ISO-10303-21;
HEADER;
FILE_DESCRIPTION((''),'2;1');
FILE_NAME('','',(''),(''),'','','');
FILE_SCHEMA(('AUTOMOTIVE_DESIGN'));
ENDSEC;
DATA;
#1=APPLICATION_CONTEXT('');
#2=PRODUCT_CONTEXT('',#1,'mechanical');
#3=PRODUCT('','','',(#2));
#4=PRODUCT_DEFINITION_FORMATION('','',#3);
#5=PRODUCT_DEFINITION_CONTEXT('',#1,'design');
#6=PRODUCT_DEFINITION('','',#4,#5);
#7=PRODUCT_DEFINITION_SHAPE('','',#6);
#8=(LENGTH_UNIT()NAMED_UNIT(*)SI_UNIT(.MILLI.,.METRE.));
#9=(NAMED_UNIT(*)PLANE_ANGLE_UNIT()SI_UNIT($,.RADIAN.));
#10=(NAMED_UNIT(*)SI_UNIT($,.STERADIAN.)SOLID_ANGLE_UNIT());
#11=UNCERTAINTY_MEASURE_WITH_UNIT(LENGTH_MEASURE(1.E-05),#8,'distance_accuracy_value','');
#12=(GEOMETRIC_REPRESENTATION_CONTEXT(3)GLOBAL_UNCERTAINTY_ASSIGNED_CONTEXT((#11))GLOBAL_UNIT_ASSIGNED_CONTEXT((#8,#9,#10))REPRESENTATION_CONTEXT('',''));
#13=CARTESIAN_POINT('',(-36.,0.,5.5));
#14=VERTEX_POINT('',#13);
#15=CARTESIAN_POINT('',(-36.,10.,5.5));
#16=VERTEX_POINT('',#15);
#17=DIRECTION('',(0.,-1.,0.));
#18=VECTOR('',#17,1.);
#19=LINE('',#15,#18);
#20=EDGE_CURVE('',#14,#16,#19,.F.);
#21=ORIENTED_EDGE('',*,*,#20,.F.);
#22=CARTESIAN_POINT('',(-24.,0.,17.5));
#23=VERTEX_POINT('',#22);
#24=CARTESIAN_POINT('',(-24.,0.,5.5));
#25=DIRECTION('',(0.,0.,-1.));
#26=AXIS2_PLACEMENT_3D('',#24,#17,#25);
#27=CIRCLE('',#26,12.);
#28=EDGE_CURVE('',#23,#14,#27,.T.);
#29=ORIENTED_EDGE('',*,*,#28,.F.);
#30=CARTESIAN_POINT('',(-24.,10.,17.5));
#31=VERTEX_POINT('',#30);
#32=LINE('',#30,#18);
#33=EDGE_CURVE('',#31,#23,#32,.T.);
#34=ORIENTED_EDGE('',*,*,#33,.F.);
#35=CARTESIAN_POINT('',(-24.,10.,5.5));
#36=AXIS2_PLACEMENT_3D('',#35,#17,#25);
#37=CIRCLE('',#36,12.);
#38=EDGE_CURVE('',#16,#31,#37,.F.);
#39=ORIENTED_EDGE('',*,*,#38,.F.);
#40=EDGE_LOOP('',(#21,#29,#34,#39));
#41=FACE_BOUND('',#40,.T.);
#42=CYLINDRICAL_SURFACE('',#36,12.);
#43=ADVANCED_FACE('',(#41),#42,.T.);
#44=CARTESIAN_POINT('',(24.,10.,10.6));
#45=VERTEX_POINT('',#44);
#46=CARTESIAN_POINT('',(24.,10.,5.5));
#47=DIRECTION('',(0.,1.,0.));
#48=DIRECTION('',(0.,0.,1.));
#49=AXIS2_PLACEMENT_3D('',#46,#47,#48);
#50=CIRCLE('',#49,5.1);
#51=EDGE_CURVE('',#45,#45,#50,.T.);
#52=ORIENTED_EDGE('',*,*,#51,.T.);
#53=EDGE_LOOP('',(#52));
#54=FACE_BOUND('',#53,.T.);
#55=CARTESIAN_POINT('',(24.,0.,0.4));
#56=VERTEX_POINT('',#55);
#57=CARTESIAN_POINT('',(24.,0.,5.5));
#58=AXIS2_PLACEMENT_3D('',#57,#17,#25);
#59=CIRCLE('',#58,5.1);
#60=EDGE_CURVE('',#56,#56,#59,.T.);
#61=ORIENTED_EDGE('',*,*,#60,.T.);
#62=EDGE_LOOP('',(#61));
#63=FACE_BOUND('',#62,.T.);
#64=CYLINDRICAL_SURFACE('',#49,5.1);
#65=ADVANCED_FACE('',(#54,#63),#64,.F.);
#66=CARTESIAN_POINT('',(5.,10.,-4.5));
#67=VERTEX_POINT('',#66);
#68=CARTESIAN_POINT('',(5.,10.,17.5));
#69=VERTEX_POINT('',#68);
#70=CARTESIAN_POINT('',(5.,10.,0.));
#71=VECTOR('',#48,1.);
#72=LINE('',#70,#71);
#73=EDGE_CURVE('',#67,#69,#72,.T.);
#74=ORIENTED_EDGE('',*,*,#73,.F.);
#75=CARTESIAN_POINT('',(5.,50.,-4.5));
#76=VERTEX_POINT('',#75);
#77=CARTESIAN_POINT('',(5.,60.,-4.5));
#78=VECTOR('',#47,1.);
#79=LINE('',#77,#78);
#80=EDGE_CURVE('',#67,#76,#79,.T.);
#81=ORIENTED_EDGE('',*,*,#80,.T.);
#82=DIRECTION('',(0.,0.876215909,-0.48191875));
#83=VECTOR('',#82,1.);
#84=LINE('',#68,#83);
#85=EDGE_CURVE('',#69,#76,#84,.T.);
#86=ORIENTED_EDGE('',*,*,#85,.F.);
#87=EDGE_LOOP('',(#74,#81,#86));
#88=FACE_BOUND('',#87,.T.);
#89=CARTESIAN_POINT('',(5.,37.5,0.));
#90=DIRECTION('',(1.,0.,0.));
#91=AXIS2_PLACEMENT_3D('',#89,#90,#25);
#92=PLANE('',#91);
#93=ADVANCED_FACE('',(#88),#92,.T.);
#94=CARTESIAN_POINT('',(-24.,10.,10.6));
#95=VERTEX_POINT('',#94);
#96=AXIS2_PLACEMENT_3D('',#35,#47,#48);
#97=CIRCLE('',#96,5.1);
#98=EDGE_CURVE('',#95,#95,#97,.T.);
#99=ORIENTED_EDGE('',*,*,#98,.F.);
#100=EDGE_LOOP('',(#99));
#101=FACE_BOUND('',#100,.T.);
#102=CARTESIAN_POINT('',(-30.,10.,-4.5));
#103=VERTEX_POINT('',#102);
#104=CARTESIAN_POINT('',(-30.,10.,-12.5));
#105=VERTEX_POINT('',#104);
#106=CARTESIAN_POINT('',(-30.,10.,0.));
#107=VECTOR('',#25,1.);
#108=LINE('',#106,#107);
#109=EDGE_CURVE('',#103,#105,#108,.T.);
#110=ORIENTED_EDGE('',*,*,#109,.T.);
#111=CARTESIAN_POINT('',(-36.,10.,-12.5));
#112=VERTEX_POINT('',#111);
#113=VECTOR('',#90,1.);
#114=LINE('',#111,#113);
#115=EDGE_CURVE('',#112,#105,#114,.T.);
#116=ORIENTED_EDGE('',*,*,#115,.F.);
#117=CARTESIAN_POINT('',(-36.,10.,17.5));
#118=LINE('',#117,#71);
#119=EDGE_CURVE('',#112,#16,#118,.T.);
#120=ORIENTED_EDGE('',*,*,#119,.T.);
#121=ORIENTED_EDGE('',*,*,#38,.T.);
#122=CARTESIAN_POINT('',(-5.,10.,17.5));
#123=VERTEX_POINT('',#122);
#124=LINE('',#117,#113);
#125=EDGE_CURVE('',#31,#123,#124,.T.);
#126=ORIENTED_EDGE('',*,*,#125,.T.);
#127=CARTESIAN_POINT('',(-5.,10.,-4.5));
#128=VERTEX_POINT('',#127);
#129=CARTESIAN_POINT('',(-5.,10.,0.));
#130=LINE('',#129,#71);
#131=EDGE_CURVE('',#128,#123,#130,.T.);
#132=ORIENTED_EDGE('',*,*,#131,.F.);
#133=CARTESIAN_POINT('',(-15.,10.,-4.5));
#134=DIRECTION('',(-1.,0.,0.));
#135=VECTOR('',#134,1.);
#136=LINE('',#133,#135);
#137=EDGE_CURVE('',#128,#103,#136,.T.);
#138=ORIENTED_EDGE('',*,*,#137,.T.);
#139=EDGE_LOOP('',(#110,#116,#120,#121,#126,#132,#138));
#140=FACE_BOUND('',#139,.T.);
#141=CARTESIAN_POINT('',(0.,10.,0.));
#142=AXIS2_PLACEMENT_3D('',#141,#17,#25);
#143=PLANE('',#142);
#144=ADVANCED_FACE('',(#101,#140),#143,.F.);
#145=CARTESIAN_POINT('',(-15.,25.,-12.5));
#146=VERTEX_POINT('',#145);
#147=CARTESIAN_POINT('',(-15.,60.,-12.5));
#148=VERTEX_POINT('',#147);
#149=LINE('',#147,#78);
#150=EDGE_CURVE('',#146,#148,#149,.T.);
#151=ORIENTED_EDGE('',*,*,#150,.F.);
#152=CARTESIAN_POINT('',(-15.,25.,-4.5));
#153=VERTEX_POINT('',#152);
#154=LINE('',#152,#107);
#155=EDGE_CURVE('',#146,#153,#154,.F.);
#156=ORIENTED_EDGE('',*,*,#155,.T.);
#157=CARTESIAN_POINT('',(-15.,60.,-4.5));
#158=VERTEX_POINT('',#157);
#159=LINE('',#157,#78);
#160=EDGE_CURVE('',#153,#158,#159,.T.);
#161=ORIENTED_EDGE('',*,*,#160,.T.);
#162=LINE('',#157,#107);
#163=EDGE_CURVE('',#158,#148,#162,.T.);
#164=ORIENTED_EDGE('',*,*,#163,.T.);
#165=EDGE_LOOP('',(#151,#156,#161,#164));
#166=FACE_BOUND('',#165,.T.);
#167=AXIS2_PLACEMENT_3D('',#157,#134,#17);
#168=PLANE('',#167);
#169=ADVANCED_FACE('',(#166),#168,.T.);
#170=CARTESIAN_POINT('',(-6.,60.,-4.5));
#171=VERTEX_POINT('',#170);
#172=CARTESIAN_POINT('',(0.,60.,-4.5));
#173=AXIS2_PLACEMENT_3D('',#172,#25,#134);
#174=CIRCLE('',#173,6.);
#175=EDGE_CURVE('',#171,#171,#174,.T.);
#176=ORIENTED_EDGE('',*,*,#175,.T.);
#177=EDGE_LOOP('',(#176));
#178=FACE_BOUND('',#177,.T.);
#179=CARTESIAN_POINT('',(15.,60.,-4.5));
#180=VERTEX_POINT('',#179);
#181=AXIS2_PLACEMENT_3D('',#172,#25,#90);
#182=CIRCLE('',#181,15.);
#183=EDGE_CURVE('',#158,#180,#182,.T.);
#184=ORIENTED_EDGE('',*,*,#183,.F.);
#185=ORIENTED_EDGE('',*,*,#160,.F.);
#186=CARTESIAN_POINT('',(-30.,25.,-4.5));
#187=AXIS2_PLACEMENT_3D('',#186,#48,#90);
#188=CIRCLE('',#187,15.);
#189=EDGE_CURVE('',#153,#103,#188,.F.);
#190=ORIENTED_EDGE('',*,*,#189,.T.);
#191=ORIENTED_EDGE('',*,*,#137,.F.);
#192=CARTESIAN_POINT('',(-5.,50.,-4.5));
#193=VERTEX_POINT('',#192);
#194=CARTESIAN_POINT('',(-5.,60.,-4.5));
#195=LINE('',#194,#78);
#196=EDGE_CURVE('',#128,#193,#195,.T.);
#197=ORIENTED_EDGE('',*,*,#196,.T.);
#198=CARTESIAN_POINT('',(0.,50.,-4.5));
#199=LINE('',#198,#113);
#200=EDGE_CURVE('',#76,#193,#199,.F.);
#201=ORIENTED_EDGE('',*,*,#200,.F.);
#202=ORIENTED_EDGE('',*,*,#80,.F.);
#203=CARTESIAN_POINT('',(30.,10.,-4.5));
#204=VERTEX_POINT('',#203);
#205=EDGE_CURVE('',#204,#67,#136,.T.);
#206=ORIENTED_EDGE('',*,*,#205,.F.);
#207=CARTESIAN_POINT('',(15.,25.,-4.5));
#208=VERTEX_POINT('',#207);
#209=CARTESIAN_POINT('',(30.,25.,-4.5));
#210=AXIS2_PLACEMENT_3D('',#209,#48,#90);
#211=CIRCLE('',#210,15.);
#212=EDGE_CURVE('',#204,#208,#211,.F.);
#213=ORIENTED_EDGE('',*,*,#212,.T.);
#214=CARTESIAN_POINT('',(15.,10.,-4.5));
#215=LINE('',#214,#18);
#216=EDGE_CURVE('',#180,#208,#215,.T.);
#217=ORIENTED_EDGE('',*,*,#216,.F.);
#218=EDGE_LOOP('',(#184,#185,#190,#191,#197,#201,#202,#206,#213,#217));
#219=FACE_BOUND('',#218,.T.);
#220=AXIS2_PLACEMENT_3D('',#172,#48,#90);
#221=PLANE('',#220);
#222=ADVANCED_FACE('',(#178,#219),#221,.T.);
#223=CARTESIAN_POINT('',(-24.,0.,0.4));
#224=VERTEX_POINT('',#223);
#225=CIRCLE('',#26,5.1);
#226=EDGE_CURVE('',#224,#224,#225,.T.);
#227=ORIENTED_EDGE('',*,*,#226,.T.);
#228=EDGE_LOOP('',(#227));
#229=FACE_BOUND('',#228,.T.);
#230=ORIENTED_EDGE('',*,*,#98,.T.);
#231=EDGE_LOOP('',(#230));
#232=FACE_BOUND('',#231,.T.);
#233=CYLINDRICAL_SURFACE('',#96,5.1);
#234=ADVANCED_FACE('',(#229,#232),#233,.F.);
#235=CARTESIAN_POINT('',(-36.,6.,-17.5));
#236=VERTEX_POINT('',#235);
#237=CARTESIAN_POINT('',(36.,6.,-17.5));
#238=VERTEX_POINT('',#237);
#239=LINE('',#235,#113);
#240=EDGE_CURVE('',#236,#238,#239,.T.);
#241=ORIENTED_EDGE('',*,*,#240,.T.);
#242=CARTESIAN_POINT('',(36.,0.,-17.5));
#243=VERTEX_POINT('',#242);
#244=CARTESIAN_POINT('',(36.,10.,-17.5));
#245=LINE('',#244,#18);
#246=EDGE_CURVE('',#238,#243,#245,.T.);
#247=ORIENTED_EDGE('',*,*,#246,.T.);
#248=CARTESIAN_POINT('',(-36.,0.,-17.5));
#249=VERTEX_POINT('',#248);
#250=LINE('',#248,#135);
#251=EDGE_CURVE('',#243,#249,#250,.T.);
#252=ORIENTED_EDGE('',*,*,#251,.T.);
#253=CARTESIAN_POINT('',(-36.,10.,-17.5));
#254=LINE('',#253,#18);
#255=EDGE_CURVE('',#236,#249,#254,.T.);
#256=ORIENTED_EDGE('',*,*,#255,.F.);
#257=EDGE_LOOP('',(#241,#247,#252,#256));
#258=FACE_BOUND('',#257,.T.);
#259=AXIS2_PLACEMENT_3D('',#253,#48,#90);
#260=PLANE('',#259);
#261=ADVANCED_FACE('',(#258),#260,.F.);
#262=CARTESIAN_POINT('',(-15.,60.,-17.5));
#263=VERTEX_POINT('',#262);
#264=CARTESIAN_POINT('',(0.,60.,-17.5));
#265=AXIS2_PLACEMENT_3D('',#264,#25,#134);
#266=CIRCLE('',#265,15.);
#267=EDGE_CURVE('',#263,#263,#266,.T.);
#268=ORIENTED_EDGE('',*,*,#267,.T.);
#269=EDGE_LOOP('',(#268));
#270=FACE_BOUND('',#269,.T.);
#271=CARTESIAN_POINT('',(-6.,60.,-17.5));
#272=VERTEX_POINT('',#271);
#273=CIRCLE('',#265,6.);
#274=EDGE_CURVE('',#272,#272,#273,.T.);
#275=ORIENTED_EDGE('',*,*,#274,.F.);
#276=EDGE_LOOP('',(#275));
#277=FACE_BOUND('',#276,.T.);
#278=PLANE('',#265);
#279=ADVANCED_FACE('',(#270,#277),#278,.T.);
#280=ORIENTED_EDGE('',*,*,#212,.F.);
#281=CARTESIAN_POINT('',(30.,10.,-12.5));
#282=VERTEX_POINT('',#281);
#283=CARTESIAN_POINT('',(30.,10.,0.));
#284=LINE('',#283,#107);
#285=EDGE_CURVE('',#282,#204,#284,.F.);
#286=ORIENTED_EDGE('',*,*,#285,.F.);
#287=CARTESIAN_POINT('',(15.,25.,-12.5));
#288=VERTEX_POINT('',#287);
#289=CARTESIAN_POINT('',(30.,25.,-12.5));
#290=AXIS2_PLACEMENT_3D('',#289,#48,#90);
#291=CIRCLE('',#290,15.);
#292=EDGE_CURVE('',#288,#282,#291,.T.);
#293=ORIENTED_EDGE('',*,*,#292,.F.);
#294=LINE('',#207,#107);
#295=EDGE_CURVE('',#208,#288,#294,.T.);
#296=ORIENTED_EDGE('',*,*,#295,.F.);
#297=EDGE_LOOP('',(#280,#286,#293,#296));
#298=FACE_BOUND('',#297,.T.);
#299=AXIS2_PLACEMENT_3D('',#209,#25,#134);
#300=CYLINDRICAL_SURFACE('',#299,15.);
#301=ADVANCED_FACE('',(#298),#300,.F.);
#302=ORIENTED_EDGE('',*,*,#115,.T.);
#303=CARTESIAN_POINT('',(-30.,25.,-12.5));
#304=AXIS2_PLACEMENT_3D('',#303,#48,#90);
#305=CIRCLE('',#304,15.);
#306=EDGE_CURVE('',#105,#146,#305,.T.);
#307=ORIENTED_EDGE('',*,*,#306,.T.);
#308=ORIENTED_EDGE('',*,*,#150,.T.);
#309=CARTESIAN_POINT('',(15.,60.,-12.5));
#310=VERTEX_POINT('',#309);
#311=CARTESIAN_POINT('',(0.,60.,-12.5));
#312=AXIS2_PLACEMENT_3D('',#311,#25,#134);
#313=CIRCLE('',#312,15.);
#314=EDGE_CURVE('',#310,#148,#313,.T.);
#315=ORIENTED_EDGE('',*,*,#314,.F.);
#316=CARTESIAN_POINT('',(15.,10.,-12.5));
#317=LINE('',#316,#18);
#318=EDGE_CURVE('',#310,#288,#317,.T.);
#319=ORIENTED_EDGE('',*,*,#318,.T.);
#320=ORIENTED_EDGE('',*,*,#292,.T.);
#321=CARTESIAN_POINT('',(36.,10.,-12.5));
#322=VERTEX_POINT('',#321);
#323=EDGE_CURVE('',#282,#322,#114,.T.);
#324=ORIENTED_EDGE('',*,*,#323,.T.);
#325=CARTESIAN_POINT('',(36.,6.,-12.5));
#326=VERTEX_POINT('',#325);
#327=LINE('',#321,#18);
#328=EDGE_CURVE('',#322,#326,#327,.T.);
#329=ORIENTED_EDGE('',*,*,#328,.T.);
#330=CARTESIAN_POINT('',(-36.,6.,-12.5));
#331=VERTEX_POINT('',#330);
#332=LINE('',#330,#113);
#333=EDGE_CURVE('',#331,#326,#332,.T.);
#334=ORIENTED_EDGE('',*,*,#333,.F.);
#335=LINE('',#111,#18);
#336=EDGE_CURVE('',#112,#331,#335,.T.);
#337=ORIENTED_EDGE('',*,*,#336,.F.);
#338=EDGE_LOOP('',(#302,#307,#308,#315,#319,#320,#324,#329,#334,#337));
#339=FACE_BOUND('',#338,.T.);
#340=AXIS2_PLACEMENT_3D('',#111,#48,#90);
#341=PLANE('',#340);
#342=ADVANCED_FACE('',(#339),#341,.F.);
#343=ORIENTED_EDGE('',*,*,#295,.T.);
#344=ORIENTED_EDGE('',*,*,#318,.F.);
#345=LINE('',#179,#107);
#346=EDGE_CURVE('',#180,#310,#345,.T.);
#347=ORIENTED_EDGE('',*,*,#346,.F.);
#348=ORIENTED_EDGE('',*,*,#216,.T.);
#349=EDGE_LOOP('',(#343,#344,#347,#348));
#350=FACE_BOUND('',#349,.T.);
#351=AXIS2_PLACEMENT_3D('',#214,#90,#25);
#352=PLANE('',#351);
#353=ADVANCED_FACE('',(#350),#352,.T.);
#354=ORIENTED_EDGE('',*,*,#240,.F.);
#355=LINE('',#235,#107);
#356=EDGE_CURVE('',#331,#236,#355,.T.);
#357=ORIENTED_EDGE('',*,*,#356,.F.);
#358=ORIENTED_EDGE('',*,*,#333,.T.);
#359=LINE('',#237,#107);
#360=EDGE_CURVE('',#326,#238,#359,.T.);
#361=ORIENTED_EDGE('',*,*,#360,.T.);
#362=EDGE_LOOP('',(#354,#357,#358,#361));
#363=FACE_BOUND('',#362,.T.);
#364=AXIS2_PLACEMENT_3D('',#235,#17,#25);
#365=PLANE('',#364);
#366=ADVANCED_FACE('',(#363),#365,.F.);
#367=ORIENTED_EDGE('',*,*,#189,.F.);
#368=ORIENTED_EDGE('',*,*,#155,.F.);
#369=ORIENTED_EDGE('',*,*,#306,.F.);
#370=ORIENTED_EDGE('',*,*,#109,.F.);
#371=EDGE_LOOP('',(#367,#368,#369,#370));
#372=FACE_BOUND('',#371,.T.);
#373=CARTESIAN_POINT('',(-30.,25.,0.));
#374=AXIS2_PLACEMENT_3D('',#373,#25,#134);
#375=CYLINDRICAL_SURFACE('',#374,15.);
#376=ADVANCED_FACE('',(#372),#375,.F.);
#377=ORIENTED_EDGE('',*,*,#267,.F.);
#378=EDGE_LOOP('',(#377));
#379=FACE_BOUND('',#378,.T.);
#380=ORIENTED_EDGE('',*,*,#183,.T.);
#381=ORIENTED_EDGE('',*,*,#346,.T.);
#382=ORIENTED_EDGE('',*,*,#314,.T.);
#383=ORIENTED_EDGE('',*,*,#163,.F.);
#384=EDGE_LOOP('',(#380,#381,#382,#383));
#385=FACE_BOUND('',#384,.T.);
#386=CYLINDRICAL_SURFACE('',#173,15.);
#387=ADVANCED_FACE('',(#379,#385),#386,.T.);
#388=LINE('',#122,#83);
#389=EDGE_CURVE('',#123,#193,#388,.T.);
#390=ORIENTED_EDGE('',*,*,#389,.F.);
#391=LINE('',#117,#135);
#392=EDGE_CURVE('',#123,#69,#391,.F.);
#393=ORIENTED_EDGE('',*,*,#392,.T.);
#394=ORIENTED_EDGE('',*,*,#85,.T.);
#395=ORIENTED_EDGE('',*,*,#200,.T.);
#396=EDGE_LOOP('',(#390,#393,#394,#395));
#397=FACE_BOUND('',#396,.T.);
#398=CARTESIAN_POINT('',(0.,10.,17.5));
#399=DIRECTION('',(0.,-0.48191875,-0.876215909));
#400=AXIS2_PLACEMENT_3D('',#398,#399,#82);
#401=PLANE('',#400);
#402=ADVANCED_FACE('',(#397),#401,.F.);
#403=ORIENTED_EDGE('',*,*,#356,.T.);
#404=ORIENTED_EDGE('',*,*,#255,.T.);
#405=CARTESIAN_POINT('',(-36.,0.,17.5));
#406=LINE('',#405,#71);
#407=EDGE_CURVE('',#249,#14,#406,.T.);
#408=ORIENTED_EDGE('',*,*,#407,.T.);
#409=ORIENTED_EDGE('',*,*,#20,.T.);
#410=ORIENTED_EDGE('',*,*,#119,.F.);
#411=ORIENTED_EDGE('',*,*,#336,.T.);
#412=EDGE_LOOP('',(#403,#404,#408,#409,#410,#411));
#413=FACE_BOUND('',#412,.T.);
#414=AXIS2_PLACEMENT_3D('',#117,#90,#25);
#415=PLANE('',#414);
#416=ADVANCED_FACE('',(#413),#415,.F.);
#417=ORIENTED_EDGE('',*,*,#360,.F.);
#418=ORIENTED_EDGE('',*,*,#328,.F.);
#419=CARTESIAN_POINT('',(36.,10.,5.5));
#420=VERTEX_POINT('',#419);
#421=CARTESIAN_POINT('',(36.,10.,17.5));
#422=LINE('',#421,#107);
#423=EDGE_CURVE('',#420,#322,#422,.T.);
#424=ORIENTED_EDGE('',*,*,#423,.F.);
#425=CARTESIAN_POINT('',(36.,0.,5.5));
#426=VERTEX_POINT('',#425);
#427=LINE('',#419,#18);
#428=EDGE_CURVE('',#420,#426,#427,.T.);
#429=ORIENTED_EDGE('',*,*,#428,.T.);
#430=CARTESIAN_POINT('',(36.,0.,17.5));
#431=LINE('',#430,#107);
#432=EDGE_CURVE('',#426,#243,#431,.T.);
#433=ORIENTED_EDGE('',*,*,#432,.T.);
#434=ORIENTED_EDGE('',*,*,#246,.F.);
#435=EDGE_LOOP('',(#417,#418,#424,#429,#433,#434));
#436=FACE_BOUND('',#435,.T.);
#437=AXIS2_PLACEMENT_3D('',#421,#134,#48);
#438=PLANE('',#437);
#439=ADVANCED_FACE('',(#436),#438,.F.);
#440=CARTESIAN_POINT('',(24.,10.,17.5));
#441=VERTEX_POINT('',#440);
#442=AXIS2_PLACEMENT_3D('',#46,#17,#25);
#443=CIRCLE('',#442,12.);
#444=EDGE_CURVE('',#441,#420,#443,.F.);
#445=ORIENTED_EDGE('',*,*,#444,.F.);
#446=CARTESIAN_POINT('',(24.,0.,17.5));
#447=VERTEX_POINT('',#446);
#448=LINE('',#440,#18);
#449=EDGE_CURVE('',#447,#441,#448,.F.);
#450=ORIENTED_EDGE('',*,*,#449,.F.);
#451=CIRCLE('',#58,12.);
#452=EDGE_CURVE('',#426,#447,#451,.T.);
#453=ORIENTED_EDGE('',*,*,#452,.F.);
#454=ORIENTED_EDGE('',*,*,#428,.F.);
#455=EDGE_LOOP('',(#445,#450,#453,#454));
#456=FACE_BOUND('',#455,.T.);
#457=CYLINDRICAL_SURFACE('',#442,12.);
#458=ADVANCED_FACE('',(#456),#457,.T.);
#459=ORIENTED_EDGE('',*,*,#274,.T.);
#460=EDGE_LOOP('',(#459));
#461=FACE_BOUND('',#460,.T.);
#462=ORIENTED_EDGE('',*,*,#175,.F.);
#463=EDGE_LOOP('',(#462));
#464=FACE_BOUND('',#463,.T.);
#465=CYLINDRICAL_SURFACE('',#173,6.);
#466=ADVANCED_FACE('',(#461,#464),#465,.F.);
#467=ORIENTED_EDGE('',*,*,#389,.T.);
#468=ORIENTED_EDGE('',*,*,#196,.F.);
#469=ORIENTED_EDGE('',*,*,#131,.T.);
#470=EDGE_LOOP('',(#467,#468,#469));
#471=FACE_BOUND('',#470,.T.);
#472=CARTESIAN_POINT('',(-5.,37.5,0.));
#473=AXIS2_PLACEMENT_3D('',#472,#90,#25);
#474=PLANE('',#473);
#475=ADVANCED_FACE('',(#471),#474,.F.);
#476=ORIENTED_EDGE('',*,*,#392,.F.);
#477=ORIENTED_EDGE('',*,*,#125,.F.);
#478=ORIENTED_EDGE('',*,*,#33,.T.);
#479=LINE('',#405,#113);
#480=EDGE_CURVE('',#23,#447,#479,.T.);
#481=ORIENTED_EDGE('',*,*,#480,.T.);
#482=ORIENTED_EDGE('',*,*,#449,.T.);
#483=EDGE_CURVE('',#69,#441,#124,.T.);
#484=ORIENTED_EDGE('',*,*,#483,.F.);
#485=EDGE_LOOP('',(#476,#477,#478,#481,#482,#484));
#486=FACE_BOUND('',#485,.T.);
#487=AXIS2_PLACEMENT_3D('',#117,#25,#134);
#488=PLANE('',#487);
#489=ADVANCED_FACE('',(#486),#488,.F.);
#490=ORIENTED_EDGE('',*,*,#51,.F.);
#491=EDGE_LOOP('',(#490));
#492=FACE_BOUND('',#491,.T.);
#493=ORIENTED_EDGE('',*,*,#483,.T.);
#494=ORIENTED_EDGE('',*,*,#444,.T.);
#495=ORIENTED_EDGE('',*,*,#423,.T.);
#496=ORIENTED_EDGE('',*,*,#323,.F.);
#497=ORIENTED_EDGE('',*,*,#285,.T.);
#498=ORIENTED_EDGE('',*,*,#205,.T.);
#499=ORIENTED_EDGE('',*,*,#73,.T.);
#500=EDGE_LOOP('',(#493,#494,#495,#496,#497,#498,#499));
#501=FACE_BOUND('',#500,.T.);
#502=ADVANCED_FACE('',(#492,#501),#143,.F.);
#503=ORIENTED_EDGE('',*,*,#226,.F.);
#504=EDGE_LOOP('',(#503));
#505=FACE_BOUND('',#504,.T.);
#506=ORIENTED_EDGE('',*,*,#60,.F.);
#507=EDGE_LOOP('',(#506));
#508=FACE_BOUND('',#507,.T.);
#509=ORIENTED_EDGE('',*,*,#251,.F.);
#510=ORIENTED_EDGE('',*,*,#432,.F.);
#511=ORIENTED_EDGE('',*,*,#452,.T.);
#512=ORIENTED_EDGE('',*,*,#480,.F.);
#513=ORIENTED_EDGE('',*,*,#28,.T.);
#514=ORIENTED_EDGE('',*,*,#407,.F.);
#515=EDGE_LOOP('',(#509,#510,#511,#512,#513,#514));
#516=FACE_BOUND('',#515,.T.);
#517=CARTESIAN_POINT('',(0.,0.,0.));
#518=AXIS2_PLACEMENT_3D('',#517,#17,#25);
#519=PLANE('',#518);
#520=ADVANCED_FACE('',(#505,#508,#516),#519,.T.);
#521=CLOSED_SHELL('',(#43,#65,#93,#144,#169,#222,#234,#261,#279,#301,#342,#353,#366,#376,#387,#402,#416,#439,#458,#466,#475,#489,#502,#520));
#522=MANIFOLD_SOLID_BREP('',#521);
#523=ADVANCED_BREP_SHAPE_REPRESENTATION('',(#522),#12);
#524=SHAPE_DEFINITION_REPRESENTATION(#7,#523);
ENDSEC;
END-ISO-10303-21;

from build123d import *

# Parameters (mm, degrees)
SKETCH1_W           = 72
SKETCH1_H           = 35
BOSS_EXTRUDE1_DEPTH = 10
FILLET1_R           = 12
SKETCH2_W           = 5
SKETCH2_H           = 4
CUT_EXTRUDE1_DEPTH  = 75.767974428
SKETCH3_R           = 6
BOSS_EXTRUDE2_DEPTH = 8
FILLET2_R           = 15
FILLET3_R           = 15
M12_TAPPED_HOLE1_D  = 10.2
SKETCH7_R           = 15
SKETCH7_R_2         = 6
BOSS_EXTRUDE3_DEPTH = 5
RIB1_REACH          = 87.013
SKETCH8_WALL_W      = 217.67731737
SKETCH8_WALL_H      = 10


with BuildPart() as part:
    # Sketch1 → Boss-Extrude1 (new body)
    with BuildSketch(Plane(origin=(0, 0, 0), x_dir=(1, 0, 0), z_dir=(0, 1, 0))):
        Rectangle(SKETCH1_W, SKETCH1_H)
    extrude(amount=BOSS_EXTRUDE1_DEPTH)

    # Fillet1
    fillet1_edges = [part.edges().sort_by_distance(p)[0] for p in [
        (36, 5, 17.5),
        (-36, 5, 17.5),
    ]]
    fillet(fillet1_edges, radius=FILLET1_R)

    # Sketch2 → Cut-Extrude1 (cut, through all)
    with BuildSketch(Plane(origin=(36, 0, 0), x_dir=(0, 0, -1), z_dir=(1, 0, 0))):
        with Locations((15, 8)):
            Rectangle(SKETCH2_W, SKETCH2_H)
    extrude(amount=-CUT_EXTRUDE1_DEPTH, mode=Mode.SUBTRACT)

    # Sketch3 → Boss-Extrude2 (add)
    with BuildSketch(Plane(origin=(0, 0, -12.5), x_dir=(-1, 0, 0), z_dir=(0, 0, -1))):
        with BuildLine():
            Line((15, 10), (-15, 10))
            Line((-15, 10), (-15, 60))
            ThreePointArc((-15, 60), (0, 75), (15, 60))
            Line((15, 60), (15, 10))
        make_face()
        with Locations((0, 60)):
            Circle(SKETCH3_R, mode=Mode.SUBTRACT)
    extrude(amount=-BOSS_EXTRUDE2_DEPTH)

    # Fillet2
    fillet2_edges = [part.edges().sort_by_distance(p)[0] for p in [
        (15, 10, -8.5),
    ]]
    fillet(fillet2_edges, radius=FILLET2_R)

    # Fillet3
    fillet3_edges = [part.edges().sort_by_distance(p)[0] for p in [
        (-15, 10, -8.5),
    ]]
    fillet(fillet3_edges, radius=FILLET3_R)

    # M12 Tapped Hole1 (through all)
    with Locations(Plane(origin=(0, 10, 0), x_dir=(1, 0, 0), z_dir=(0, 1, 0))):
        with Locations((24, -5.5), (-24, -5.5)):
            Hole(M12_TAPPED_HOLE1_D / 2)

    # Sketch7 → Boss-Extrude3 (add)
    with BuildSketch(Plane(origin=(0, 0, -12.5), x_dir=(-1, 0, 0), z_dir=(0, 0, -1))):
        with Locations((0, 60)):
            Circle(SKETCH7_R)
        with Locations((0, 60)):
            Circle(SKETCH7_R_2, mode=Mode.SUBTRACT)
    extrude(amount=BOSS_EXTRUDE3_DEPTH)

    # Sketch8 wall → Rib1 (add, up to next)
    with BuildSketch(Plane(origin=(0, 30, 6.5), x_dir=(0, 0.876215908677, -0.481918749772), z_dir=(0, 0.481918749772, 0.876215908677)), mode=Mode.PRIVATE) as rib1_sk1:
        Rectangle(SKETCH8_WALL_W, SKETCH8_WALL_H)
    rib1_tool1 = extrude(rib1_sk1.sketch, amount=-RIB1_REACH, mode=Mode.PRIVATE) - part.part
    add(rib1_tool1.solids().sort_by_distance((0, 30, 6.5))[0])


solid = part.part
